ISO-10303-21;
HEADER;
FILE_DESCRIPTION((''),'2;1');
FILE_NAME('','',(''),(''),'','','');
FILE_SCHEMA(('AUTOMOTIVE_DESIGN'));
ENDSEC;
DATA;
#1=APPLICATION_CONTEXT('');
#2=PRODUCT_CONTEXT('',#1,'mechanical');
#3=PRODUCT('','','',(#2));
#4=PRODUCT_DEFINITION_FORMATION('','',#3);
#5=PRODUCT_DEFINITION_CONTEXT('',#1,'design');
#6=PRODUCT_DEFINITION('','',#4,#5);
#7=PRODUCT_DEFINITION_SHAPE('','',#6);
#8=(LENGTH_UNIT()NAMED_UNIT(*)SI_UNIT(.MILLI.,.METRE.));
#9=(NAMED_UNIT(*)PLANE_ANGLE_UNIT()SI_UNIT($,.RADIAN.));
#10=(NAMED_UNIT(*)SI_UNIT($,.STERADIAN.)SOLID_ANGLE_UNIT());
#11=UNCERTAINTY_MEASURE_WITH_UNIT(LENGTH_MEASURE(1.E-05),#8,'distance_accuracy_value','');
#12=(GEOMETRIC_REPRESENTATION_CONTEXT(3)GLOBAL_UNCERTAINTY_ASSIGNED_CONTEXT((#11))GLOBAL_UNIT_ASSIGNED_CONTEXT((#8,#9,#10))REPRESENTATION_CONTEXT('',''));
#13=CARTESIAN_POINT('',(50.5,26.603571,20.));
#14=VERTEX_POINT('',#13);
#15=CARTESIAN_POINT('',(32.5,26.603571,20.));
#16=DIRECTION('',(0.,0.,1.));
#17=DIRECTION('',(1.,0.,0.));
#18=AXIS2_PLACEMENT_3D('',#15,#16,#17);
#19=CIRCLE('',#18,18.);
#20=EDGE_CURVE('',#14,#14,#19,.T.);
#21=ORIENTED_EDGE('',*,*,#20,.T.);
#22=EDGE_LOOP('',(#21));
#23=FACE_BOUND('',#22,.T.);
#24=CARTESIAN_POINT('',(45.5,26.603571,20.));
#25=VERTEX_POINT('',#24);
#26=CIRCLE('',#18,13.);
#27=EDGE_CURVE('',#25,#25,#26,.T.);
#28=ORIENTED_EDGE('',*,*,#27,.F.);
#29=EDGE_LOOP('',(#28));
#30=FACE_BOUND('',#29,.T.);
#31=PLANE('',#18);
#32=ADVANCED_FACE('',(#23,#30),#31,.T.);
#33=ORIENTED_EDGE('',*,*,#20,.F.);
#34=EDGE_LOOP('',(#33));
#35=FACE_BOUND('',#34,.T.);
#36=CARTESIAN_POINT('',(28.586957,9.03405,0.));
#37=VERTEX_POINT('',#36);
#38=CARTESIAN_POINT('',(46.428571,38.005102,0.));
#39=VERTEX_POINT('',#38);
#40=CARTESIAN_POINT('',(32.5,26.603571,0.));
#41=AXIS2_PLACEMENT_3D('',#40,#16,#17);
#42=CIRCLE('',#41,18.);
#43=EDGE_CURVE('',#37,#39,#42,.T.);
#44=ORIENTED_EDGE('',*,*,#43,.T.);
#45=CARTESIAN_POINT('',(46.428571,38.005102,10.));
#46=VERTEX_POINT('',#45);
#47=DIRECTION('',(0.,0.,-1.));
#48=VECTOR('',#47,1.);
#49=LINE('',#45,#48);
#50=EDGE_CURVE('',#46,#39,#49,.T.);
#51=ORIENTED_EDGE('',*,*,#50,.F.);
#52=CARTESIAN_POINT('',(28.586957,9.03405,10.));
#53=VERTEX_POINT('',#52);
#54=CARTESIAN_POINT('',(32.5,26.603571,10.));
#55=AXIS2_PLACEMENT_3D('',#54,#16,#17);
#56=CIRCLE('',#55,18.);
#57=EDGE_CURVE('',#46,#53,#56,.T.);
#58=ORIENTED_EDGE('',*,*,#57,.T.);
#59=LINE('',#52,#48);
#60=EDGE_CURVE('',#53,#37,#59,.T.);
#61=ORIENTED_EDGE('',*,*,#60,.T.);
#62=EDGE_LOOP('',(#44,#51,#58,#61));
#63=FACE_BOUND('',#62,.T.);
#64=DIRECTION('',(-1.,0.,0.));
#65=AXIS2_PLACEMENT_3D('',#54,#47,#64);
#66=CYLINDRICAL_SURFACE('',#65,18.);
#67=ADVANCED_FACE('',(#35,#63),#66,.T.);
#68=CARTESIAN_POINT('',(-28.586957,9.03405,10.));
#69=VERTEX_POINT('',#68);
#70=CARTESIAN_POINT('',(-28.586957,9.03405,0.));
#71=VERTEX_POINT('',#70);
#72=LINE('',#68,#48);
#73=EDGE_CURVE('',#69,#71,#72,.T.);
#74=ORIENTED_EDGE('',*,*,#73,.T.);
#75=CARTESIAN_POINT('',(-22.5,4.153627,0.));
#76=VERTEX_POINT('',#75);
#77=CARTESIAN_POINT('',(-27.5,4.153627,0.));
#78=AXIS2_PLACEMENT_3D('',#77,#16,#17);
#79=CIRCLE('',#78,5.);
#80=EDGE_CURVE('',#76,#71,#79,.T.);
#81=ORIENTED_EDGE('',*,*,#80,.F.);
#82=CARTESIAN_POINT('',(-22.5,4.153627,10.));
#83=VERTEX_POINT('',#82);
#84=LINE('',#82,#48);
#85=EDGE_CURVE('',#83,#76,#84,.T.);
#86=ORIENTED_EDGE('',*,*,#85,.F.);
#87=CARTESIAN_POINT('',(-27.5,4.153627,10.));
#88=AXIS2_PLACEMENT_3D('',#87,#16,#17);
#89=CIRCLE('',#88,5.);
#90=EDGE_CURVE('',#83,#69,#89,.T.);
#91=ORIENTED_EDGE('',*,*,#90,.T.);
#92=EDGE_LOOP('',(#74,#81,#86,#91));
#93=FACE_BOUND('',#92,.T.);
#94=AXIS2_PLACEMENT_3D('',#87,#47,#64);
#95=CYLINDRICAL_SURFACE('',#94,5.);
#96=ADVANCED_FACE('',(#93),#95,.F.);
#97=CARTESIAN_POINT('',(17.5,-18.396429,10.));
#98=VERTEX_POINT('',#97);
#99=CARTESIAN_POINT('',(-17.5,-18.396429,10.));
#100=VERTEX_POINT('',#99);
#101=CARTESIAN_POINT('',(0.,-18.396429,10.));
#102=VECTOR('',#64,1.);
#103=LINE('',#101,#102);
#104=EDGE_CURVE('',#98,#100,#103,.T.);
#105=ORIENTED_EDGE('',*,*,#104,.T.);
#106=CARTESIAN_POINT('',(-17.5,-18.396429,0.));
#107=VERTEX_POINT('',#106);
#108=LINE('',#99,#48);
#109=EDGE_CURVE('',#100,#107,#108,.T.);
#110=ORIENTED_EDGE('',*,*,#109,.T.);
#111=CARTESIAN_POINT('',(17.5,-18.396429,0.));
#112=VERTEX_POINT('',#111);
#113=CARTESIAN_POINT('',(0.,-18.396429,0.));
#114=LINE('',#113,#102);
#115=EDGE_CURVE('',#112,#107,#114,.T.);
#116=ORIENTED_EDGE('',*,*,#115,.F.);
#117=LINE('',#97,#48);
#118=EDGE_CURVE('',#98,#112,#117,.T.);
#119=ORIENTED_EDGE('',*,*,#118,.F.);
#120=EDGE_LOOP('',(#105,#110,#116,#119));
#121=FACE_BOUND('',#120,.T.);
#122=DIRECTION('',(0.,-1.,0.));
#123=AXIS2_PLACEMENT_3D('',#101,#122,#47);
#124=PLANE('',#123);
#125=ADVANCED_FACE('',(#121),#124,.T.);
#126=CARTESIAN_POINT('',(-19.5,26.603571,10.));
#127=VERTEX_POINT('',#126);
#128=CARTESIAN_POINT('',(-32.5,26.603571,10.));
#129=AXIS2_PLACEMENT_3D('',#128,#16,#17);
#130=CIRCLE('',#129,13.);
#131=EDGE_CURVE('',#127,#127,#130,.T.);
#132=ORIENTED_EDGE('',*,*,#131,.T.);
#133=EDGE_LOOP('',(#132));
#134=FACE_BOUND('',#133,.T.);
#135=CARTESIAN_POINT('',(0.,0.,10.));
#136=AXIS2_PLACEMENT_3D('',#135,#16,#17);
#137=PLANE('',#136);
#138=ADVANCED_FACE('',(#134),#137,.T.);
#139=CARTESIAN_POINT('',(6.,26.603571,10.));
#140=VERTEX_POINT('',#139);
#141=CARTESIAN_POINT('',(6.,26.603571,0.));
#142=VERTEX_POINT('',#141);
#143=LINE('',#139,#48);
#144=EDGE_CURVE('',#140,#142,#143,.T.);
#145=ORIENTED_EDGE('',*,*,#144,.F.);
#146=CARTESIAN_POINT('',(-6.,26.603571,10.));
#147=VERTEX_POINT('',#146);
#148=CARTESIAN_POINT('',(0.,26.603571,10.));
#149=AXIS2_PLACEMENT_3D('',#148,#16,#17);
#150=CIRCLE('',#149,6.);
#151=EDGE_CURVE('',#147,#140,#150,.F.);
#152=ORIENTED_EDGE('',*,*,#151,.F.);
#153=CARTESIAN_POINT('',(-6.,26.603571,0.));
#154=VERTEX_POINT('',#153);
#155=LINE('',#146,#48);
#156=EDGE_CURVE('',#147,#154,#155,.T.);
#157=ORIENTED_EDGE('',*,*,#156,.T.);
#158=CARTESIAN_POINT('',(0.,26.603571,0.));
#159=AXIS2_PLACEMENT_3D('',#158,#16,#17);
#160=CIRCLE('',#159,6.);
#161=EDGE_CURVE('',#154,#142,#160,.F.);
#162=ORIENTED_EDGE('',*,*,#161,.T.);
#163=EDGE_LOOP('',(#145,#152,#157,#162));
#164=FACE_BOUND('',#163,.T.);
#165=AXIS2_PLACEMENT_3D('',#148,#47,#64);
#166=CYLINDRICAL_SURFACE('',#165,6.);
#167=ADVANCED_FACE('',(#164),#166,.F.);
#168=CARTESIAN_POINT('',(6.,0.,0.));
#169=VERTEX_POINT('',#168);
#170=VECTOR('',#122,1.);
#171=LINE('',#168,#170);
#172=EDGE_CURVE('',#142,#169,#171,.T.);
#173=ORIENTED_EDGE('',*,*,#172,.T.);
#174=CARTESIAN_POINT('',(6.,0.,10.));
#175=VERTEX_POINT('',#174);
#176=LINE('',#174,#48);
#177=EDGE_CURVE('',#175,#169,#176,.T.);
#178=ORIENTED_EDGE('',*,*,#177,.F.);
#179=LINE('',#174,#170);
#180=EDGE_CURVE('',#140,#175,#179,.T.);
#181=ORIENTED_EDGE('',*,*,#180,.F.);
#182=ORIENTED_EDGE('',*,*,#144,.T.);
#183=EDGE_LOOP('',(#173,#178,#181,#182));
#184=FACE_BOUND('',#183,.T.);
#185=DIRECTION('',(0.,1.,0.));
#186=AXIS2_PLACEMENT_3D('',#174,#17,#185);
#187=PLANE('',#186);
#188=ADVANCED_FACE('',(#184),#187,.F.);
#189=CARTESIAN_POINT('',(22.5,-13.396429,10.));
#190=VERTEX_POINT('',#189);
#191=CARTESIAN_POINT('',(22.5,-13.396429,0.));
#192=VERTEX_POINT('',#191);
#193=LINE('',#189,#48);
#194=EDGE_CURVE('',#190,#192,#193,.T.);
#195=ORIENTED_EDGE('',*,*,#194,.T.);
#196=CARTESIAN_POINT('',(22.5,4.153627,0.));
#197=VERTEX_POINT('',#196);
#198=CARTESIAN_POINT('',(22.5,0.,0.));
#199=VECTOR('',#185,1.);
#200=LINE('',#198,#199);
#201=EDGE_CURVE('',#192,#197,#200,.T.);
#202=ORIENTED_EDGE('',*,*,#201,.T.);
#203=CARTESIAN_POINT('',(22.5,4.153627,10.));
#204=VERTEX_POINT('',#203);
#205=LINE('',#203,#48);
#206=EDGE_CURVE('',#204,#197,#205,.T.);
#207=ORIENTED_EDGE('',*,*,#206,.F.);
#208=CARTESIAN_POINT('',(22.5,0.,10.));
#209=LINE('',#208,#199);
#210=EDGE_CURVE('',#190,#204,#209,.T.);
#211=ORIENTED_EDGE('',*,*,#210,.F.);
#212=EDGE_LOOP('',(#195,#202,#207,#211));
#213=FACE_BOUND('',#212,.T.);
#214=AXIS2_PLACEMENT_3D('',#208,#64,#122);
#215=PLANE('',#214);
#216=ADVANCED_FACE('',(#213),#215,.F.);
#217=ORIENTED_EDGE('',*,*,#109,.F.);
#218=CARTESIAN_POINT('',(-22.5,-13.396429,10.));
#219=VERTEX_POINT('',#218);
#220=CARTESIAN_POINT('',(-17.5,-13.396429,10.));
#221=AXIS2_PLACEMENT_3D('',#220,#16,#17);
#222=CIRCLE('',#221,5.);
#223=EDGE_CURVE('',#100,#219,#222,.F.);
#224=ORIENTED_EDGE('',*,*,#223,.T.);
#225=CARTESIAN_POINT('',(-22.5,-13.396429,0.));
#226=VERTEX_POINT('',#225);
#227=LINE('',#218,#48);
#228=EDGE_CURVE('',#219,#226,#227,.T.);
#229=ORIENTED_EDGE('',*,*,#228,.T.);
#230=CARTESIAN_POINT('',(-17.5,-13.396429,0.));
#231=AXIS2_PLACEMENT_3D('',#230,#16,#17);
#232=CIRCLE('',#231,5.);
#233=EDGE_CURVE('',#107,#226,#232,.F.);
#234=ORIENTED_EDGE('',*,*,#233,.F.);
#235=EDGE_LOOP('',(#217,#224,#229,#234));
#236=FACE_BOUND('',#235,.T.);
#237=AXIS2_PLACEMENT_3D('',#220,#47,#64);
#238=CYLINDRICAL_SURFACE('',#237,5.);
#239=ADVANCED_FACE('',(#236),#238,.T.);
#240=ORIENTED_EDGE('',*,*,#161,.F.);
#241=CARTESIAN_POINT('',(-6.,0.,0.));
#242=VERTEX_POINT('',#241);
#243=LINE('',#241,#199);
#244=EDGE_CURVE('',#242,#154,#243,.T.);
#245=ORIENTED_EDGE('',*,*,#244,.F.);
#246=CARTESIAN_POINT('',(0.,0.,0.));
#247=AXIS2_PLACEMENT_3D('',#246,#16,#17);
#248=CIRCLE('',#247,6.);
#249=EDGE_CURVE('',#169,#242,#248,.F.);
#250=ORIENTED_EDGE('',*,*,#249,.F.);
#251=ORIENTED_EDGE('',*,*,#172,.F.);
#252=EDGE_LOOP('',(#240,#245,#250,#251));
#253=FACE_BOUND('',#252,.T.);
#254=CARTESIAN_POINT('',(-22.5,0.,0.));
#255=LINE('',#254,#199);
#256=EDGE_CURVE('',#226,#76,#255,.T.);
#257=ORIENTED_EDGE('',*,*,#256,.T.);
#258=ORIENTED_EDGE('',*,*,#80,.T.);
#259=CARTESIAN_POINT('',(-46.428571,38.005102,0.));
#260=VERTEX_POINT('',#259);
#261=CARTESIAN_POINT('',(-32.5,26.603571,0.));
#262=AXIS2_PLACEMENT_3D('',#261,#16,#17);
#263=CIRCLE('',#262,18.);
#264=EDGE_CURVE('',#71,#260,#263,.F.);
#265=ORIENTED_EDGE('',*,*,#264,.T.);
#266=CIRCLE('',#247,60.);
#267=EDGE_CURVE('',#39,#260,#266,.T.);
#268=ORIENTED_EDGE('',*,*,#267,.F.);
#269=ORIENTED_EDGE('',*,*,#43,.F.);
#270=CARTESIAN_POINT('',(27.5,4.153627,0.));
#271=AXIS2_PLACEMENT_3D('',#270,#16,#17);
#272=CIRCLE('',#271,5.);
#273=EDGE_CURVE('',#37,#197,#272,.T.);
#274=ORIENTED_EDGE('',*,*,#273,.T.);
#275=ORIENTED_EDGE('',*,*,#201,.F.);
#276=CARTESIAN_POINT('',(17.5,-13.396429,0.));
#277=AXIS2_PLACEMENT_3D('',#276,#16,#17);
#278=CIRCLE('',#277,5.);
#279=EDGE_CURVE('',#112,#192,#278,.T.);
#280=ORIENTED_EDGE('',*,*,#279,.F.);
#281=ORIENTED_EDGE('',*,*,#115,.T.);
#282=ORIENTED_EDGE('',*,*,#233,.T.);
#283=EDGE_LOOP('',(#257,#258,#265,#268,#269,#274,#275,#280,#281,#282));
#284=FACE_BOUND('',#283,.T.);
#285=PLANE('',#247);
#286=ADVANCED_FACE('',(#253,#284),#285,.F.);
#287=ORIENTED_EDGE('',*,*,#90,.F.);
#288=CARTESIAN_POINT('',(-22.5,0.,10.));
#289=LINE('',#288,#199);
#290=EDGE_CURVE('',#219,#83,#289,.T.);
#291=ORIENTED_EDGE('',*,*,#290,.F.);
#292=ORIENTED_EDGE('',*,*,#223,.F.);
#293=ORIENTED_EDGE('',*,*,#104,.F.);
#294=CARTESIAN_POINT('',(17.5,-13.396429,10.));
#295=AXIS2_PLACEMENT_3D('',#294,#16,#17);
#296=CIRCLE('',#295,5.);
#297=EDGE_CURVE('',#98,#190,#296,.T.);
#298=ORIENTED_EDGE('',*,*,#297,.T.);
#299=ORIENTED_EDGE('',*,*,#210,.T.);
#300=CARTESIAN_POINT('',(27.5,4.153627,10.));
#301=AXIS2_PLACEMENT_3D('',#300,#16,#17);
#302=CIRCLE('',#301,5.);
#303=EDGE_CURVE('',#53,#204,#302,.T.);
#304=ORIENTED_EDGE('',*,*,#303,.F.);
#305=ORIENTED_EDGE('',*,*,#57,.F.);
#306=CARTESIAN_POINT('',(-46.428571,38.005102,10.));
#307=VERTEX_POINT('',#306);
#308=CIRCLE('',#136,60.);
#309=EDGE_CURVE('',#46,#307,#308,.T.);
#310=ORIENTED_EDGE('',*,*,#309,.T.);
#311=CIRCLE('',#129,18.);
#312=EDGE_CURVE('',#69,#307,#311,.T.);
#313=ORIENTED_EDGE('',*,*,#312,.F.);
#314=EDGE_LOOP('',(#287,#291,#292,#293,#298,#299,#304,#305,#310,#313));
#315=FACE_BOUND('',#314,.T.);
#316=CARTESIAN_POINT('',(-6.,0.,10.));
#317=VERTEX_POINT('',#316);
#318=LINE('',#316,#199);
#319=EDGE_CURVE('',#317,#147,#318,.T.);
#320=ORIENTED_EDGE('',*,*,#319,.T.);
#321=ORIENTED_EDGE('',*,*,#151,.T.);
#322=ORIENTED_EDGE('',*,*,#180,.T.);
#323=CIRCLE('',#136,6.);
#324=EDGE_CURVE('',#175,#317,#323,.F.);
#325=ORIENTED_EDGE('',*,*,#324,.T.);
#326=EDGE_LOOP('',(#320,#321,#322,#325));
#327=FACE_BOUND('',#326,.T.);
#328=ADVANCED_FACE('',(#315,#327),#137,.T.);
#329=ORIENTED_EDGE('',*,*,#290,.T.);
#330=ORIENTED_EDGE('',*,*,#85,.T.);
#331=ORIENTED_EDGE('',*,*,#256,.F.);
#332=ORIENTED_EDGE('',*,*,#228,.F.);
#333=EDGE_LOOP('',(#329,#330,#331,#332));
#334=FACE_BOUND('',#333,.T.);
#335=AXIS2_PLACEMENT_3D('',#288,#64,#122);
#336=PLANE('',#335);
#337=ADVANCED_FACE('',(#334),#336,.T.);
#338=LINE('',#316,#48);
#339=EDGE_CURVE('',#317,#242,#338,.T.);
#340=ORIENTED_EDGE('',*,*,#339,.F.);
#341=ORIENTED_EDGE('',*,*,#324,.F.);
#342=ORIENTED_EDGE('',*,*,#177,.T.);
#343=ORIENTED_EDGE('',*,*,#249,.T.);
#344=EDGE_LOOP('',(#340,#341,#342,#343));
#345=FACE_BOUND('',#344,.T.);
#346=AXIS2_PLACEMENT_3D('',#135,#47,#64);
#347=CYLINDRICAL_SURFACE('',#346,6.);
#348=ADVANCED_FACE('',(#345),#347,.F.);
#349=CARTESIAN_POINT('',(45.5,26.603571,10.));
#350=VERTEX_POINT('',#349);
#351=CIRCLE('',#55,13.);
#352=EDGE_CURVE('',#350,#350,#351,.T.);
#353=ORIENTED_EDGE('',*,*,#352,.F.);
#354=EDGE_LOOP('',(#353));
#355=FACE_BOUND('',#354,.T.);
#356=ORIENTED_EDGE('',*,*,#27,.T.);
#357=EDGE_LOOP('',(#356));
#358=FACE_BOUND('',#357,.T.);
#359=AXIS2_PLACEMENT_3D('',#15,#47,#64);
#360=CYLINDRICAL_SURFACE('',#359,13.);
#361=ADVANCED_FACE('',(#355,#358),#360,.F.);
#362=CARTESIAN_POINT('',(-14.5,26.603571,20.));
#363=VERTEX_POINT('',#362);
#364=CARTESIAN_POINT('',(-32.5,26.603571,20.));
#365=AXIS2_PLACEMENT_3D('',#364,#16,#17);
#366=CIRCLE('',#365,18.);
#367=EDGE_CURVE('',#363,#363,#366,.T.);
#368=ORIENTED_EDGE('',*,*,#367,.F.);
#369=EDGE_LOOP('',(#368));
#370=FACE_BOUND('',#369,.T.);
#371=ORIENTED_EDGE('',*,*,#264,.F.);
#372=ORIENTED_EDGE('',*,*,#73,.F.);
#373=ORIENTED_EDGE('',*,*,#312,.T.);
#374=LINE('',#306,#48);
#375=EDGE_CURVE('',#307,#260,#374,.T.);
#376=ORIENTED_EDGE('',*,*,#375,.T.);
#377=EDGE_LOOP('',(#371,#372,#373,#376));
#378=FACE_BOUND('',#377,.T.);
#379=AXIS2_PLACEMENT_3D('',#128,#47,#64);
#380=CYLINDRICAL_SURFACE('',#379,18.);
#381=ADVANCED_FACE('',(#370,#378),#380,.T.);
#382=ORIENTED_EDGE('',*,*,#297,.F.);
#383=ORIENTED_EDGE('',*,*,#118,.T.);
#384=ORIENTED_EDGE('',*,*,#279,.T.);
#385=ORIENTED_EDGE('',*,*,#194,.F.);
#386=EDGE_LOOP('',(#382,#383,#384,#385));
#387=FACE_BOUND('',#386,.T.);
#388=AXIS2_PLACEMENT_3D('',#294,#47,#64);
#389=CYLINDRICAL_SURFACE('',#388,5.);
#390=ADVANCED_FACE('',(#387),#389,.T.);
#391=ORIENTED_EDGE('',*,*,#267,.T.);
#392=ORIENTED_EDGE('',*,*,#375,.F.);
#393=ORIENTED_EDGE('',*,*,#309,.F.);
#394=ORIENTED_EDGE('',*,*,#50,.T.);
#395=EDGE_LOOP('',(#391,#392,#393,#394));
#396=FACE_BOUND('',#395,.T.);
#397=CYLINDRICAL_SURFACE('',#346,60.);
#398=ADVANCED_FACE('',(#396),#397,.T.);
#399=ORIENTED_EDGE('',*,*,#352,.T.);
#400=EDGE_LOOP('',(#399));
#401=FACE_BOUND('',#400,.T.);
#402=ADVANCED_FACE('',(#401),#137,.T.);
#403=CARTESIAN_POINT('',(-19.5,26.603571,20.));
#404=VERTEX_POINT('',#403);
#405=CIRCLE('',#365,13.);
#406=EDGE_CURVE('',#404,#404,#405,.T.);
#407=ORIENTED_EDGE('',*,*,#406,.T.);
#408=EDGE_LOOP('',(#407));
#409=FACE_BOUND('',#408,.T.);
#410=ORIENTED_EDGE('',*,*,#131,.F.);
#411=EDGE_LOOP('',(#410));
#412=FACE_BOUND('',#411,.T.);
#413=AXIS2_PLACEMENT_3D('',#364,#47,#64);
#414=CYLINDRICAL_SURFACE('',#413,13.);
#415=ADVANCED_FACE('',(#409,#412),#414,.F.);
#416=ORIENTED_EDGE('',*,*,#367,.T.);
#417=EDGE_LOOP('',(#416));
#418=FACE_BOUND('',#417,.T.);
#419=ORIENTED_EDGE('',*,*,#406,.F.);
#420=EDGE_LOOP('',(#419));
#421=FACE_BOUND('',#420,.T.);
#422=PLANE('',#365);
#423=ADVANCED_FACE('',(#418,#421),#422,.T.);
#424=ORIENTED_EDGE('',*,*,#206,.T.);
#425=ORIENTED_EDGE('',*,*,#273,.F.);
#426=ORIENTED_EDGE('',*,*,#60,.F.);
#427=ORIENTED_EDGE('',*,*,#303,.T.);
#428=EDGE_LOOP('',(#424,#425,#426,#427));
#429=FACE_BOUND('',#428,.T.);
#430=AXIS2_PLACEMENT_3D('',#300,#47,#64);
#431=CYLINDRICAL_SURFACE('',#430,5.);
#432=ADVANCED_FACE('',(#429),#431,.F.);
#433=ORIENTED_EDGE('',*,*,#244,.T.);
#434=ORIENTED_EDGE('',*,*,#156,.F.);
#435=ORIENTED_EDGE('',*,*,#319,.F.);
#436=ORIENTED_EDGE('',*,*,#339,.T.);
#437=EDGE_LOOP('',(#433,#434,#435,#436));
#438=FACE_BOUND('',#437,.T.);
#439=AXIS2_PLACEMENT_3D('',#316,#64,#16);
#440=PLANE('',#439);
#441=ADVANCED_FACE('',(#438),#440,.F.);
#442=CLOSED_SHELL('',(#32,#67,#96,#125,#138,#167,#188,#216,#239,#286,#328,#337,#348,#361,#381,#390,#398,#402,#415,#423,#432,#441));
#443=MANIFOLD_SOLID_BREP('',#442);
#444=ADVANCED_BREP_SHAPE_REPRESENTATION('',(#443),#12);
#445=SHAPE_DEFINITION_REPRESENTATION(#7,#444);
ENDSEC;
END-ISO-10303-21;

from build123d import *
from build123d.topology import SkipClean

# Parameters (mm, degrees)
SKETCH1_R           = 18
SKETCH1_R_2         = 13
BOSS_EXTRUDE1_DEPTH = 10
BOSS_EXTRUDE2_START = 10
SKETCH1_3_R         = 18
SKETCH1_3_R_2       = 13
BOSS_EXTRUDE2_DEPTH = 10


with BuildPart() as part:
    # Sketch1 → Boss-Extrude1 (new body)
    # profile 1 of 5: a face of its own
    with BuildSketch(Plane.XY):
        with BuildLine():
            Line((-17.5, -18.396428811), (17.5, -18.396428811))
            ThreePointArc((17.5, -18.396428811), (21.035533906, -16.931962717), (22.5, -13.396428811))
            Line((22.5, -13.396428811), (22.5, 4.153626868))
            ThreePointArc((22.5, 4.153626868), (24.372283789, 8.054574356), (28.586956522, 9.034049547))
            ThreePointArc((28.586956522, 9.034049547), (17.17328588, 36.042418273), (46.428571429, 38.005101698))
            ThreePointArc((46.428571429, 38.005101698), (0, 60), (-46.428571429, 38.005101698))
            ThreePointArc((-46.428571429, 38.005101698), (-26.446665618, 43.555182996), (-14.5, 26.603571189))
            ThreePointArc((-14.5, 26.603571189), (-18.456589043, 15.34379283), (-28.586956522, 9.034049547))
            ThreePointArc((-28.586956522, 9.034049547), (-24.372283789, 8.054574356), (-22.5, 4.153626868))
            Line((-22.5, 4.153626868), (-22.5, -13.396428811))
            ThreePointArc((-22.5, -13.396428811), (-21.035533906, -16.931962717), (-17.5, -18.396428811))
        make_face()
        with BuildLine():
            ThreePointArc((6, 0), (0, -6), (-6, 0))
            Line((-6, 0), (-6, 26.603571189))
            ThreePointArc((-6, 26.603571189), (0, 32.603571189), (6, 26.603571189))
            Line((6, 26.603571189), (6, 0))
        make_face(mode=Mode.SUBTRACT)
    # profile 2 of 5: a face of its own
    with BuildSketch(Plane.XY):
        with Locations((-32.5, 26.603571189)):
            Circle(SKETCH1_R)
        with Locations((-32.5, 26.603571189)):
            Circle(SKETCH1_R_2, mode=Mode.SUBTRACT)
    # profile 3 of 5: a face of its own
    with BuildSketch(Plane.XY):
        with Locations((-32.5, 26.603571189)):
            Circle(SKETCH1_R_2)
    # profile 4 of 5: a face of its own
    with BuildSketch(Plane.XY):
        with Locations((32.5, 26.603571189)):
            Circle(SKETCH1_R)
        with Locations((32.5, 26.603571189)):
            Circle(SKETCH1_R_2, mode=Mode.SUBTRACT)
    # profile 5 of 5: a face of its own
    with BuildSketch(Plane.XY):
        with Locations((32.5, 26.603571189)):
            Circle(SKETCH1_R_2)
    extrude(amount=BOSS_EXTRUDE1_DEPTH)

    # Sketch1<3> → Boss-Extrude2 (add)
    # profile 1 of 2: a face of its own
    with SkipClean():  # the faces are left unmerged after this step: merging them gives an invalid solid
        with BuildSketch(Plane.XY.offset(BOSS_EXTRUDE2_START)):
            with Locations(Location((-32.5, 26.603571189, 0), (0, 0, 140.697224227))):
                Circle(SKETCH1_3_R)
            with Locations((-32.5, 26.603571189)):
                Circle(SKETCH1_3_R_2, mode=Mode.SUBTRACT)
        # profile 2 of 2: a face of its own
        with BuildSketch(Plane.XY.offset(BOSS_EXTRUDE2_START)):
            with Locations(Location((32.5, 26.603571189, 0), (0, 0, 257.444142201))):
                Circle(SKETCH1_3_R)
            with Locations((32.5, 26.603571189)):
                Circle(SKETCH1_3_R_2, mode=Mode.SUBTRACT)
        extrude(amount=BOSS_EXTRUDE2_DEPTH)


solid = part.part
